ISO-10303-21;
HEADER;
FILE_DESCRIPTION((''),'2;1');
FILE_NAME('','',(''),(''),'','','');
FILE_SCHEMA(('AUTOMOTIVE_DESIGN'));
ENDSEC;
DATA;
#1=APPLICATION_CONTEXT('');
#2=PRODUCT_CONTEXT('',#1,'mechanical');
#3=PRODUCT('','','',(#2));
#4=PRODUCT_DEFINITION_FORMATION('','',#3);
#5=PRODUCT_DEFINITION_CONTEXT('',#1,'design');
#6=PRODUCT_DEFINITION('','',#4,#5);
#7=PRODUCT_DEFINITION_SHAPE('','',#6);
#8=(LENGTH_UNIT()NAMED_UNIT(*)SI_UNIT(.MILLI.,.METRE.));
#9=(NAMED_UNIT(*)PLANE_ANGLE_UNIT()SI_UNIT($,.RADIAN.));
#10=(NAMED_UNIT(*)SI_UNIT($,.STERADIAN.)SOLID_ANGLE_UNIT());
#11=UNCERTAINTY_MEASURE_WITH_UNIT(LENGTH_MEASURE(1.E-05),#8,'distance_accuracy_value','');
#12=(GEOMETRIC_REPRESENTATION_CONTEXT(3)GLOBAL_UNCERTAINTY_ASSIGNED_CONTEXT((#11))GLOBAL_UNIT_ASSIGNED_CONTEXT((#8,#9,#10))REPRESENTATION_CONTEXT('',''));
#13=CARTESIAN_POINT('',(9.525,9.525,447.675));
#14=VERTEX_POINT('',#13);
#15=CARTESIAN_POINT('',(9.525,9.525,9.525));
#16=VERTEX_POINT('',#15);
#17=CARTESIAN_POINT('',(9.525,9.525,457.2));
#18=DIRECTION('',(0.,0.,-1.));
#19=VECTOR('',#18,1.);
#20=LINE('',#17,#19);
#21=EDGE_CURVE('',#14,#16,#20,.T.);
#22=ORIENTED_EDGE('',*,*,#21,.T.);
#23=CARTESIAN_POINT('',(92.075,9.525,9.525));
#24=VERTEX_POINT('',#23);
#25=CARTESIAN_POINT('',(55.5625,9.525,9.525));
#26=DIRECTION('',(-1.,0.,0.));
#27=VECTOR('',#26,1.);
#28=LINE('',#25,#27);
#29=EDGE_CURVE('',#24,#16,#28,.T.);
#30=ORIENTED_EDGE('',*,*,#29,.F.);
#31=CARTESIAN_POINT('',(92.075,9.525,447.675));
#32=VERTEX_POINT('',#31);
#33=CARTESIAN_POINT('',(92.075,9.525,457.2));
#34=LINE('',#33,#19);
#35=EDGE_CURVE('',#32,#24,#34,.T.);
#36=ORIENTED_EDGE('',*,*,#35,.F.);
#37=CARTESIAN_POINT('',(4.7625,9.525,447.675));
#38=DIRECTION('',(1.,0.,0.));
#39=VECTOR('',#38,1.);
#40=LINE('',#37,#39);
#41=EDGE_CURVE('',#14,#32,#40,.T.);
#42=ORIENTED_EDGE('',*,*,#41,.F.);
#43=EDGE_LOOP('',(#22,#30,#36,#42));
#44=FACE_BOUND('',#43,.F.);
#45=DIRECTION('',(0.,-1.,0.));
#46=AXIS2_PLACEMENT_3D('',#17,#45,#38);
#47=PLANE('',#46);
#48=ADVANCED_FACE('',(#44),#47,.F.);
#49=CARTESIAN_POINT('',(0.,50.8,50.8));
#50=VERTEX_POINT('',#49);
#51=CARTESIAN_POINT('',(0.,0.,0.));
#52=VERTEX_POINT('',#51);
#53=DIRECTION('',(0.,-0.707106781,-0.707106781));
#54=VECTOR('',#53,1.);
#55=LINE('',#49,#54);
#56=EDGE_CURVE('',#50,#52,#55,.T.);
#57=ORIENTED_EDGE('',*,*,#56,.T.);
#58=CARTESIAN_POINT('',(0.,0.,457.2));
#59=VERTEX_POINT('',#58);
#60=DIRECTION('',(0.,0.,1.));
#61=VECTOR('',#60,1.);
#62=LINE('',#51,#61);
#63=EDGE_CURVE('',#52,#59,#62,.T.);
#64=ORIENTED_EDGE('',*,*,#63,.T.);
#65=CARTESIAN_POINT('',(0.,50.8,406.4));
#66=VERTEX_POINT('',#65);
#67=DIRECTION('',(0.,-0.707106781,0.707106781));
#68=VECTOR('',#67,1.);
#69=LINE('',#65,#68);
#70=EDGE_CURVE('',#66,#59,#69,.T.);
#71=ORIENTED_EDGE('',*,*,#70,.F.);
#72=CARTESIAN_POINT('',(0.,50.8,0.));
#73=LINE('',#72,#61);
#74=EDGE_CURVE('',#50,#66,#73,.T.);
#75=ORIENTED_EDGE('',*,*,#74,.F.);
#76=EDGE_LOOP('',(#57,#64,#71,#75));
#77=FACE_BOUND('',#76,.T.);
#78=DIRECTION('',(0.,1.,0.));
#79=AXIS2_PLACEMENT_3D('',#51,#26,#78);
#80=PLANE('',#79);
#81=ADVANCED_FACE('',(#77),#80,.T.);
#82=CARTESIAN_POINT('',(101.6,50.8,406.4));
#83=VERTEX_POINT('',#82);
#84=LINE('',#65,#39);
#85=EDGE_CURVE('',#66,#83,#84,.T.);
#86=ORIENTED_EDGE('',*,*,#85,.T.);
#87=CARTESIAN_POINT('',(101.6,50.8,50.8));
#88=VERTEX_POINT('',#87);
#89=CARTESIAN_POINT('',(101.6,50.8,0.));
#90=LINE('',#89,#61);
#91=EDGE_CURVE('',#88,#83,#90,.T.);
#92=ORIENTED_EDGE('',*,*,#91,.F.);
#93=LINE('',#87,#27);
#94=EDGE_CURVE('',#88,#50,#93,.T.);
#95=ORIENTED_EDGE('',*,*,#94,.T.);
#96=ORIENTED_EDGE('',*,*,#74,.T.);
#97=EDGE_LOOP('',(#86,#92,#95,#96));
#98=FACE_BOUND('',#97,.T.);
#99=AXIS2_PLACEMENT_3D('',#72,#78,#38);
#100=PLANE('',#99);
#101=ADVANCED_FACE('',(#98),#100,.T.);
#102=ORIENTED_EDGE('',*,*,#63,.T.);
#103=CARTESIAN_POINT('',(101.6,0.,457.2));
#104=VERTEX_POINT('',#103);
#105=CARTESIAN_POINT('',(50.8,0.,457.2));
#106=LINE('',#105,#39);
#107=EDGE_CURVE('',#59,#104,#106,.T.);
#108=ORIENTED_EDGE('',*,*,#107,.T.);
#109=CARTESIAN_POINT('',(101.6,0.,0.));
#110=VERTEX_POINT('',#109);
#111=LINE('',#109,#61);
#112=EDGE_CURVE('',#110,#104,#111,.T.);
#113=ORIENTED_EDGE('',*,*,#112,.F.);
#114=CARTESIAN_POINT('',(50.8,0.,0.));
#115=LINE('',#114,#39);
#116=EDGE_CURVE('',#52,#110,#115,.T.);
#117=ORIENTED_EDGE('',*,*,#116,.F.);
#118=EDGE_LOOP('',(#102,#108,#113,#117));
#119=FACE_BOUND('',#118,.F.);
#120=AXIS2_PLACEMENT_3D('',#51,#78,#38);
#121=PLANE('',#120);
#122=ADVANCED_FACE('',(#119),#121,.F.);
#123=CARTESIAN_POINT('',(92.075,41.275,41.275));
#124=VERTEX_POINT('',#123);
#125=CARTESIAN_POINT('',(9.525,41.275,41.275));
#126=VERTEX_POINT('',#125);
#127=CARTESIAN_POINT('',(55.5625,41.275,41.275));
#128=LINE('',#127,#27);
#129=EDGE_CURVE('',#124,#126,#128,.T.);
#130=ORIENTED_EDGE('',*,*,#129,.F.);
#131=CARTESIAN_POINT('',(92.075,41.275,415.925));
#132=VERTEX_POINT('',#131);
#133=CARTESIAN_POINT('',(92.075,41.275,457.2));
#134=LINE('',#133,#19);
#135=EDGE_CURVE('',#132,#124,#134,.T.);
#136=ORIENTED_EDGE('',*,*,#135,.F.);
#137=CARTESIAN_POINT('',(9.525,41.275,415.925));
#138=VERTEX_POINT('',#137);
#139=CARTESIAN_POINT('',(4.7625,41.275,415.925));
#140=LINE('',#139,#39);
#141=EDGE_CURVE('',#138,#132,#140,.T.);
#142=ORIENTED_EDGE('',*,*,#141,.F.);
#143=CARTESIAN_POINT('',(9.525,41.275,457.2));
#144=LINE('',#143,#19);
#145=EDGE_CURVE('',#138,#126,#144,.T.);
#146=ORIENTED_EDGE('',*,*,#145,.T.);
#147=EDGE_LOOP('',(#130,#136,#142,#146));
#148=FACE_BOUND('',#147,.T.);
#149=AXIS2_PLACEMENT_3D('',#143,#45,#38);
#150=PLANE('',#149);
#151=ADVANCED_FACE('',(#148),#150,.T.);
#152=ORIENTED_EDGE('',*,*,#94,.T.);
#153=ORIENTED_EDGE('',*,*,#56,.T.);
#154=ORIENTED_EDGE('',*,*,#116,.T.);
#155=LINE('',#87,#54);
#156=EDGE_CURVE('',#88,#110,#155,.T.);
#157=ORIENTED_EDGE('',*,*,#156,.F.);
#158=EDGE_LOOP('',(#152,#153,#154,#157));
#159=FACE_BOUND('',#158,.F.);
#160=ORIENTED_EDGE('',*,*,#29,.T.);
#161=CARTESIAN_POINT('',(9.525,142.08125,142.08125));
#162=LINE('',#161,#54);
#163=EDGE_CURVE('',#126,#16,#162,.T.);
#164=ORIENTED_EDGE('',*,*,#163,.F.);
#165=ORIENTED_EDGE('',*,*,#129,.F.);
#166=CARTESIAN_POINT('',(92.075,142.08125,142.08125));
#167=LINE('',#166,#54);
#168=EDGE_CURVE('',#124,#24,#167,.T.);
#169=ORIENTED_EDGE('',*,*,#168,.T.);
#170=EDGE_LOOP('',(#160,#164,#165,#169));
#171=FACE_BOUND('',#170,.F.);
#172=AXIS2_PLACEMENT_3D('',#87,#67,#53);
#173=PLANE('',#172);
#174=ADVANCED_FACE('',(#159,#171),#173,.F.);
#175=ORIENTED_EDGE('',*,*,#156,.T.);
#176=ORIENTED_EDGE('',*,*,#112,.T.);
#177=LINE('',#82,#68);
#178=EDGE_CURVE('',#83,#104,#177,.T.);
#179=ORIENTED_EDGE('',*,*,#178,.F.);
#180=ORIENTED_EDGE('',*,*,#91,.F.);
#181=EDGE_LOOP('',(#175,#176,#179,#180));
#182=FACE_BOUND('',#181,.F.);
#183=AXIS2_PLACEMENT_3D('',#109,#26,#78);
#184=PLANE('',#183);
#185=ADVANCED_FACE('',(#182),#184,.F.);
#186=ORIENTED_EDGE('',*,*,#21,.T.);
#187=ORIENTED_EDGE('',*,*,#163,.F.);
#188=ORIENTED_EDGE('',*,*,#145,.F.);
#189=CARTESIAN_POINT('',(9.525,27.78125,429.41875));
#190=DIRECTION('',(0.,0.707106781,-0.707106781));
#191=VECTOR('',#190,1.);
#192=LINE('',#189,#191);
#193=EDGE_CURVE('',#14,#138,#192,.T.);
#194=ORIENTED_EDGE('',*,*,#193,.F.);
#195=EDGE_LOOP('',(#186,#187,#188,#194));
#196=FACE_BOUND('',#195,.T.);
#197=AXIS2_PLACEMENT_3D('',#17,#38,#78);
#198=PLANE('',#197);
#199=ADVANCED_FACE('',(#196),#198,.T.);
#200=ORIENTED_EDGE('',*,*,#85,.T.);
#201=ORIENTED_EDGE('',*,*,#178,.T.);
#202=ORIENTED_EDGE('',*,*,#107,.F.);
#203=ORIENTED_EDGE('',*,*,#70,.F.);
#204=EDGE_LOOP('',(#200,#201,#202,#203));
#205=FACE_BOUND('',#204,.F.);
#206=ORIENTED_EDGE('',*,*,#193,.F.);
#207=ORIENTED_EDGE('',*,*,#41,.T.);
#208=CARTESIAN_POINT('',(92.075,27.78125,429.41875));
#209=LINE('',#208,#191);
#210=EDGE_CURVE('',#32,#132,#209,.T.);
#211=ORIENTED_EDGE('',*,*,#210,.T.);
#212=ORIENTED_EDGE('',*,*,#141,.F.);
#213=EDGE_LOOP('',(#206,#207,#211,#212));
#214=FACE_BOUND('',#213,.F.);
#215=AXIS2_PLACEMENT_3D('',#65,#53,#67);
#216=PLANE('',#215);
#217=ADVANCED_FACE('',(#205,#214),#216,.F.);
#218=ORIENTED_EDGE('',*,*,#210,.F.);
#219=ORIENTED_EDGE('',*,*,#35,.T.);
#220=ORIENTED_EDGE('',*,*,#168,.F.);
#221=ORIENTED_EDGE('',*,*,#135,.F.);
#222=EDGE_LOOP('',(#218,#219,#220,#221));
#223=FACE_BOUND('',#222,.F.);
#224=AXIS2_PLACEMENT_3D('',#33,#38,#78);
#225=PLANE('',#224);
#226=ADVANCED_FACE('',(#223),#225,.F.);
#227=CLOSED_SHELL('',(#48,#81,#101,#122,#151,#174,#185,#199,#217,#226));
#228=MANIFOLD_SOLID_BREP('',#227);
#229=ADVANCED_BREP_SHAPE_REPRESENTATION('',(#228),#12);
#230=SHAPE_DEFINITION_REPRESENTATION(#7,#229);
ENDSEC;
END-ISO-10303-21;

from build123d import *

# Parameters (mm, degrees)
F0_W     = 101.6
F0_H     = 50.8
F1_DEPTH = 457.2
F2_W     = 82.55
F2_H     = 31.75
F3_DEPTH = 457.2
F5_DEPTH = 101.6
F7_DEPTH = 101.6


with BuildPart() as f1:
    # F0 (on Top) → F1 (new body)
    with BuildSketch(Plane.XY):
        with Locations((50.8, 25.4)):
            Rectangle(F0_W, F0_H)
    extrude(amount=F1_DEPTH)

    # F2 (on face) → F3 (cut)
    with BuildSketch(Plane.XY.offset(457.2)):
        with Locations((50.8, 25.4)):
            Rectangle(F2_W, F2_H)
    extrude(amount=-F3_DEPTH, mode=Mode.SUBTRACT)

    # F4 (on face) → F5 (cut)
    with BuildSketch(Plane.YZ.offset(101.6)):
        Polygon((50.8, 50.8), (0, 0), (50.8, 0), align=None)
    extrude(amount=-F5_DEPTH, mode=Mode.SUBTRACT)

    # F6 (on face) → F7 (cut)
    with BuildSketch(Plane(origin=(0, 0, 0), x_dir=(0, -1, 0), z_dir=(-1, 0, 0))):
        Polygon((0, 457.2), (-50.8, 457.2), (-50.8, 406.4), align=None)
    extrude(amount=-F7_DEPTH, mode=Mode.SUBTRACT)


solid = f1.part
